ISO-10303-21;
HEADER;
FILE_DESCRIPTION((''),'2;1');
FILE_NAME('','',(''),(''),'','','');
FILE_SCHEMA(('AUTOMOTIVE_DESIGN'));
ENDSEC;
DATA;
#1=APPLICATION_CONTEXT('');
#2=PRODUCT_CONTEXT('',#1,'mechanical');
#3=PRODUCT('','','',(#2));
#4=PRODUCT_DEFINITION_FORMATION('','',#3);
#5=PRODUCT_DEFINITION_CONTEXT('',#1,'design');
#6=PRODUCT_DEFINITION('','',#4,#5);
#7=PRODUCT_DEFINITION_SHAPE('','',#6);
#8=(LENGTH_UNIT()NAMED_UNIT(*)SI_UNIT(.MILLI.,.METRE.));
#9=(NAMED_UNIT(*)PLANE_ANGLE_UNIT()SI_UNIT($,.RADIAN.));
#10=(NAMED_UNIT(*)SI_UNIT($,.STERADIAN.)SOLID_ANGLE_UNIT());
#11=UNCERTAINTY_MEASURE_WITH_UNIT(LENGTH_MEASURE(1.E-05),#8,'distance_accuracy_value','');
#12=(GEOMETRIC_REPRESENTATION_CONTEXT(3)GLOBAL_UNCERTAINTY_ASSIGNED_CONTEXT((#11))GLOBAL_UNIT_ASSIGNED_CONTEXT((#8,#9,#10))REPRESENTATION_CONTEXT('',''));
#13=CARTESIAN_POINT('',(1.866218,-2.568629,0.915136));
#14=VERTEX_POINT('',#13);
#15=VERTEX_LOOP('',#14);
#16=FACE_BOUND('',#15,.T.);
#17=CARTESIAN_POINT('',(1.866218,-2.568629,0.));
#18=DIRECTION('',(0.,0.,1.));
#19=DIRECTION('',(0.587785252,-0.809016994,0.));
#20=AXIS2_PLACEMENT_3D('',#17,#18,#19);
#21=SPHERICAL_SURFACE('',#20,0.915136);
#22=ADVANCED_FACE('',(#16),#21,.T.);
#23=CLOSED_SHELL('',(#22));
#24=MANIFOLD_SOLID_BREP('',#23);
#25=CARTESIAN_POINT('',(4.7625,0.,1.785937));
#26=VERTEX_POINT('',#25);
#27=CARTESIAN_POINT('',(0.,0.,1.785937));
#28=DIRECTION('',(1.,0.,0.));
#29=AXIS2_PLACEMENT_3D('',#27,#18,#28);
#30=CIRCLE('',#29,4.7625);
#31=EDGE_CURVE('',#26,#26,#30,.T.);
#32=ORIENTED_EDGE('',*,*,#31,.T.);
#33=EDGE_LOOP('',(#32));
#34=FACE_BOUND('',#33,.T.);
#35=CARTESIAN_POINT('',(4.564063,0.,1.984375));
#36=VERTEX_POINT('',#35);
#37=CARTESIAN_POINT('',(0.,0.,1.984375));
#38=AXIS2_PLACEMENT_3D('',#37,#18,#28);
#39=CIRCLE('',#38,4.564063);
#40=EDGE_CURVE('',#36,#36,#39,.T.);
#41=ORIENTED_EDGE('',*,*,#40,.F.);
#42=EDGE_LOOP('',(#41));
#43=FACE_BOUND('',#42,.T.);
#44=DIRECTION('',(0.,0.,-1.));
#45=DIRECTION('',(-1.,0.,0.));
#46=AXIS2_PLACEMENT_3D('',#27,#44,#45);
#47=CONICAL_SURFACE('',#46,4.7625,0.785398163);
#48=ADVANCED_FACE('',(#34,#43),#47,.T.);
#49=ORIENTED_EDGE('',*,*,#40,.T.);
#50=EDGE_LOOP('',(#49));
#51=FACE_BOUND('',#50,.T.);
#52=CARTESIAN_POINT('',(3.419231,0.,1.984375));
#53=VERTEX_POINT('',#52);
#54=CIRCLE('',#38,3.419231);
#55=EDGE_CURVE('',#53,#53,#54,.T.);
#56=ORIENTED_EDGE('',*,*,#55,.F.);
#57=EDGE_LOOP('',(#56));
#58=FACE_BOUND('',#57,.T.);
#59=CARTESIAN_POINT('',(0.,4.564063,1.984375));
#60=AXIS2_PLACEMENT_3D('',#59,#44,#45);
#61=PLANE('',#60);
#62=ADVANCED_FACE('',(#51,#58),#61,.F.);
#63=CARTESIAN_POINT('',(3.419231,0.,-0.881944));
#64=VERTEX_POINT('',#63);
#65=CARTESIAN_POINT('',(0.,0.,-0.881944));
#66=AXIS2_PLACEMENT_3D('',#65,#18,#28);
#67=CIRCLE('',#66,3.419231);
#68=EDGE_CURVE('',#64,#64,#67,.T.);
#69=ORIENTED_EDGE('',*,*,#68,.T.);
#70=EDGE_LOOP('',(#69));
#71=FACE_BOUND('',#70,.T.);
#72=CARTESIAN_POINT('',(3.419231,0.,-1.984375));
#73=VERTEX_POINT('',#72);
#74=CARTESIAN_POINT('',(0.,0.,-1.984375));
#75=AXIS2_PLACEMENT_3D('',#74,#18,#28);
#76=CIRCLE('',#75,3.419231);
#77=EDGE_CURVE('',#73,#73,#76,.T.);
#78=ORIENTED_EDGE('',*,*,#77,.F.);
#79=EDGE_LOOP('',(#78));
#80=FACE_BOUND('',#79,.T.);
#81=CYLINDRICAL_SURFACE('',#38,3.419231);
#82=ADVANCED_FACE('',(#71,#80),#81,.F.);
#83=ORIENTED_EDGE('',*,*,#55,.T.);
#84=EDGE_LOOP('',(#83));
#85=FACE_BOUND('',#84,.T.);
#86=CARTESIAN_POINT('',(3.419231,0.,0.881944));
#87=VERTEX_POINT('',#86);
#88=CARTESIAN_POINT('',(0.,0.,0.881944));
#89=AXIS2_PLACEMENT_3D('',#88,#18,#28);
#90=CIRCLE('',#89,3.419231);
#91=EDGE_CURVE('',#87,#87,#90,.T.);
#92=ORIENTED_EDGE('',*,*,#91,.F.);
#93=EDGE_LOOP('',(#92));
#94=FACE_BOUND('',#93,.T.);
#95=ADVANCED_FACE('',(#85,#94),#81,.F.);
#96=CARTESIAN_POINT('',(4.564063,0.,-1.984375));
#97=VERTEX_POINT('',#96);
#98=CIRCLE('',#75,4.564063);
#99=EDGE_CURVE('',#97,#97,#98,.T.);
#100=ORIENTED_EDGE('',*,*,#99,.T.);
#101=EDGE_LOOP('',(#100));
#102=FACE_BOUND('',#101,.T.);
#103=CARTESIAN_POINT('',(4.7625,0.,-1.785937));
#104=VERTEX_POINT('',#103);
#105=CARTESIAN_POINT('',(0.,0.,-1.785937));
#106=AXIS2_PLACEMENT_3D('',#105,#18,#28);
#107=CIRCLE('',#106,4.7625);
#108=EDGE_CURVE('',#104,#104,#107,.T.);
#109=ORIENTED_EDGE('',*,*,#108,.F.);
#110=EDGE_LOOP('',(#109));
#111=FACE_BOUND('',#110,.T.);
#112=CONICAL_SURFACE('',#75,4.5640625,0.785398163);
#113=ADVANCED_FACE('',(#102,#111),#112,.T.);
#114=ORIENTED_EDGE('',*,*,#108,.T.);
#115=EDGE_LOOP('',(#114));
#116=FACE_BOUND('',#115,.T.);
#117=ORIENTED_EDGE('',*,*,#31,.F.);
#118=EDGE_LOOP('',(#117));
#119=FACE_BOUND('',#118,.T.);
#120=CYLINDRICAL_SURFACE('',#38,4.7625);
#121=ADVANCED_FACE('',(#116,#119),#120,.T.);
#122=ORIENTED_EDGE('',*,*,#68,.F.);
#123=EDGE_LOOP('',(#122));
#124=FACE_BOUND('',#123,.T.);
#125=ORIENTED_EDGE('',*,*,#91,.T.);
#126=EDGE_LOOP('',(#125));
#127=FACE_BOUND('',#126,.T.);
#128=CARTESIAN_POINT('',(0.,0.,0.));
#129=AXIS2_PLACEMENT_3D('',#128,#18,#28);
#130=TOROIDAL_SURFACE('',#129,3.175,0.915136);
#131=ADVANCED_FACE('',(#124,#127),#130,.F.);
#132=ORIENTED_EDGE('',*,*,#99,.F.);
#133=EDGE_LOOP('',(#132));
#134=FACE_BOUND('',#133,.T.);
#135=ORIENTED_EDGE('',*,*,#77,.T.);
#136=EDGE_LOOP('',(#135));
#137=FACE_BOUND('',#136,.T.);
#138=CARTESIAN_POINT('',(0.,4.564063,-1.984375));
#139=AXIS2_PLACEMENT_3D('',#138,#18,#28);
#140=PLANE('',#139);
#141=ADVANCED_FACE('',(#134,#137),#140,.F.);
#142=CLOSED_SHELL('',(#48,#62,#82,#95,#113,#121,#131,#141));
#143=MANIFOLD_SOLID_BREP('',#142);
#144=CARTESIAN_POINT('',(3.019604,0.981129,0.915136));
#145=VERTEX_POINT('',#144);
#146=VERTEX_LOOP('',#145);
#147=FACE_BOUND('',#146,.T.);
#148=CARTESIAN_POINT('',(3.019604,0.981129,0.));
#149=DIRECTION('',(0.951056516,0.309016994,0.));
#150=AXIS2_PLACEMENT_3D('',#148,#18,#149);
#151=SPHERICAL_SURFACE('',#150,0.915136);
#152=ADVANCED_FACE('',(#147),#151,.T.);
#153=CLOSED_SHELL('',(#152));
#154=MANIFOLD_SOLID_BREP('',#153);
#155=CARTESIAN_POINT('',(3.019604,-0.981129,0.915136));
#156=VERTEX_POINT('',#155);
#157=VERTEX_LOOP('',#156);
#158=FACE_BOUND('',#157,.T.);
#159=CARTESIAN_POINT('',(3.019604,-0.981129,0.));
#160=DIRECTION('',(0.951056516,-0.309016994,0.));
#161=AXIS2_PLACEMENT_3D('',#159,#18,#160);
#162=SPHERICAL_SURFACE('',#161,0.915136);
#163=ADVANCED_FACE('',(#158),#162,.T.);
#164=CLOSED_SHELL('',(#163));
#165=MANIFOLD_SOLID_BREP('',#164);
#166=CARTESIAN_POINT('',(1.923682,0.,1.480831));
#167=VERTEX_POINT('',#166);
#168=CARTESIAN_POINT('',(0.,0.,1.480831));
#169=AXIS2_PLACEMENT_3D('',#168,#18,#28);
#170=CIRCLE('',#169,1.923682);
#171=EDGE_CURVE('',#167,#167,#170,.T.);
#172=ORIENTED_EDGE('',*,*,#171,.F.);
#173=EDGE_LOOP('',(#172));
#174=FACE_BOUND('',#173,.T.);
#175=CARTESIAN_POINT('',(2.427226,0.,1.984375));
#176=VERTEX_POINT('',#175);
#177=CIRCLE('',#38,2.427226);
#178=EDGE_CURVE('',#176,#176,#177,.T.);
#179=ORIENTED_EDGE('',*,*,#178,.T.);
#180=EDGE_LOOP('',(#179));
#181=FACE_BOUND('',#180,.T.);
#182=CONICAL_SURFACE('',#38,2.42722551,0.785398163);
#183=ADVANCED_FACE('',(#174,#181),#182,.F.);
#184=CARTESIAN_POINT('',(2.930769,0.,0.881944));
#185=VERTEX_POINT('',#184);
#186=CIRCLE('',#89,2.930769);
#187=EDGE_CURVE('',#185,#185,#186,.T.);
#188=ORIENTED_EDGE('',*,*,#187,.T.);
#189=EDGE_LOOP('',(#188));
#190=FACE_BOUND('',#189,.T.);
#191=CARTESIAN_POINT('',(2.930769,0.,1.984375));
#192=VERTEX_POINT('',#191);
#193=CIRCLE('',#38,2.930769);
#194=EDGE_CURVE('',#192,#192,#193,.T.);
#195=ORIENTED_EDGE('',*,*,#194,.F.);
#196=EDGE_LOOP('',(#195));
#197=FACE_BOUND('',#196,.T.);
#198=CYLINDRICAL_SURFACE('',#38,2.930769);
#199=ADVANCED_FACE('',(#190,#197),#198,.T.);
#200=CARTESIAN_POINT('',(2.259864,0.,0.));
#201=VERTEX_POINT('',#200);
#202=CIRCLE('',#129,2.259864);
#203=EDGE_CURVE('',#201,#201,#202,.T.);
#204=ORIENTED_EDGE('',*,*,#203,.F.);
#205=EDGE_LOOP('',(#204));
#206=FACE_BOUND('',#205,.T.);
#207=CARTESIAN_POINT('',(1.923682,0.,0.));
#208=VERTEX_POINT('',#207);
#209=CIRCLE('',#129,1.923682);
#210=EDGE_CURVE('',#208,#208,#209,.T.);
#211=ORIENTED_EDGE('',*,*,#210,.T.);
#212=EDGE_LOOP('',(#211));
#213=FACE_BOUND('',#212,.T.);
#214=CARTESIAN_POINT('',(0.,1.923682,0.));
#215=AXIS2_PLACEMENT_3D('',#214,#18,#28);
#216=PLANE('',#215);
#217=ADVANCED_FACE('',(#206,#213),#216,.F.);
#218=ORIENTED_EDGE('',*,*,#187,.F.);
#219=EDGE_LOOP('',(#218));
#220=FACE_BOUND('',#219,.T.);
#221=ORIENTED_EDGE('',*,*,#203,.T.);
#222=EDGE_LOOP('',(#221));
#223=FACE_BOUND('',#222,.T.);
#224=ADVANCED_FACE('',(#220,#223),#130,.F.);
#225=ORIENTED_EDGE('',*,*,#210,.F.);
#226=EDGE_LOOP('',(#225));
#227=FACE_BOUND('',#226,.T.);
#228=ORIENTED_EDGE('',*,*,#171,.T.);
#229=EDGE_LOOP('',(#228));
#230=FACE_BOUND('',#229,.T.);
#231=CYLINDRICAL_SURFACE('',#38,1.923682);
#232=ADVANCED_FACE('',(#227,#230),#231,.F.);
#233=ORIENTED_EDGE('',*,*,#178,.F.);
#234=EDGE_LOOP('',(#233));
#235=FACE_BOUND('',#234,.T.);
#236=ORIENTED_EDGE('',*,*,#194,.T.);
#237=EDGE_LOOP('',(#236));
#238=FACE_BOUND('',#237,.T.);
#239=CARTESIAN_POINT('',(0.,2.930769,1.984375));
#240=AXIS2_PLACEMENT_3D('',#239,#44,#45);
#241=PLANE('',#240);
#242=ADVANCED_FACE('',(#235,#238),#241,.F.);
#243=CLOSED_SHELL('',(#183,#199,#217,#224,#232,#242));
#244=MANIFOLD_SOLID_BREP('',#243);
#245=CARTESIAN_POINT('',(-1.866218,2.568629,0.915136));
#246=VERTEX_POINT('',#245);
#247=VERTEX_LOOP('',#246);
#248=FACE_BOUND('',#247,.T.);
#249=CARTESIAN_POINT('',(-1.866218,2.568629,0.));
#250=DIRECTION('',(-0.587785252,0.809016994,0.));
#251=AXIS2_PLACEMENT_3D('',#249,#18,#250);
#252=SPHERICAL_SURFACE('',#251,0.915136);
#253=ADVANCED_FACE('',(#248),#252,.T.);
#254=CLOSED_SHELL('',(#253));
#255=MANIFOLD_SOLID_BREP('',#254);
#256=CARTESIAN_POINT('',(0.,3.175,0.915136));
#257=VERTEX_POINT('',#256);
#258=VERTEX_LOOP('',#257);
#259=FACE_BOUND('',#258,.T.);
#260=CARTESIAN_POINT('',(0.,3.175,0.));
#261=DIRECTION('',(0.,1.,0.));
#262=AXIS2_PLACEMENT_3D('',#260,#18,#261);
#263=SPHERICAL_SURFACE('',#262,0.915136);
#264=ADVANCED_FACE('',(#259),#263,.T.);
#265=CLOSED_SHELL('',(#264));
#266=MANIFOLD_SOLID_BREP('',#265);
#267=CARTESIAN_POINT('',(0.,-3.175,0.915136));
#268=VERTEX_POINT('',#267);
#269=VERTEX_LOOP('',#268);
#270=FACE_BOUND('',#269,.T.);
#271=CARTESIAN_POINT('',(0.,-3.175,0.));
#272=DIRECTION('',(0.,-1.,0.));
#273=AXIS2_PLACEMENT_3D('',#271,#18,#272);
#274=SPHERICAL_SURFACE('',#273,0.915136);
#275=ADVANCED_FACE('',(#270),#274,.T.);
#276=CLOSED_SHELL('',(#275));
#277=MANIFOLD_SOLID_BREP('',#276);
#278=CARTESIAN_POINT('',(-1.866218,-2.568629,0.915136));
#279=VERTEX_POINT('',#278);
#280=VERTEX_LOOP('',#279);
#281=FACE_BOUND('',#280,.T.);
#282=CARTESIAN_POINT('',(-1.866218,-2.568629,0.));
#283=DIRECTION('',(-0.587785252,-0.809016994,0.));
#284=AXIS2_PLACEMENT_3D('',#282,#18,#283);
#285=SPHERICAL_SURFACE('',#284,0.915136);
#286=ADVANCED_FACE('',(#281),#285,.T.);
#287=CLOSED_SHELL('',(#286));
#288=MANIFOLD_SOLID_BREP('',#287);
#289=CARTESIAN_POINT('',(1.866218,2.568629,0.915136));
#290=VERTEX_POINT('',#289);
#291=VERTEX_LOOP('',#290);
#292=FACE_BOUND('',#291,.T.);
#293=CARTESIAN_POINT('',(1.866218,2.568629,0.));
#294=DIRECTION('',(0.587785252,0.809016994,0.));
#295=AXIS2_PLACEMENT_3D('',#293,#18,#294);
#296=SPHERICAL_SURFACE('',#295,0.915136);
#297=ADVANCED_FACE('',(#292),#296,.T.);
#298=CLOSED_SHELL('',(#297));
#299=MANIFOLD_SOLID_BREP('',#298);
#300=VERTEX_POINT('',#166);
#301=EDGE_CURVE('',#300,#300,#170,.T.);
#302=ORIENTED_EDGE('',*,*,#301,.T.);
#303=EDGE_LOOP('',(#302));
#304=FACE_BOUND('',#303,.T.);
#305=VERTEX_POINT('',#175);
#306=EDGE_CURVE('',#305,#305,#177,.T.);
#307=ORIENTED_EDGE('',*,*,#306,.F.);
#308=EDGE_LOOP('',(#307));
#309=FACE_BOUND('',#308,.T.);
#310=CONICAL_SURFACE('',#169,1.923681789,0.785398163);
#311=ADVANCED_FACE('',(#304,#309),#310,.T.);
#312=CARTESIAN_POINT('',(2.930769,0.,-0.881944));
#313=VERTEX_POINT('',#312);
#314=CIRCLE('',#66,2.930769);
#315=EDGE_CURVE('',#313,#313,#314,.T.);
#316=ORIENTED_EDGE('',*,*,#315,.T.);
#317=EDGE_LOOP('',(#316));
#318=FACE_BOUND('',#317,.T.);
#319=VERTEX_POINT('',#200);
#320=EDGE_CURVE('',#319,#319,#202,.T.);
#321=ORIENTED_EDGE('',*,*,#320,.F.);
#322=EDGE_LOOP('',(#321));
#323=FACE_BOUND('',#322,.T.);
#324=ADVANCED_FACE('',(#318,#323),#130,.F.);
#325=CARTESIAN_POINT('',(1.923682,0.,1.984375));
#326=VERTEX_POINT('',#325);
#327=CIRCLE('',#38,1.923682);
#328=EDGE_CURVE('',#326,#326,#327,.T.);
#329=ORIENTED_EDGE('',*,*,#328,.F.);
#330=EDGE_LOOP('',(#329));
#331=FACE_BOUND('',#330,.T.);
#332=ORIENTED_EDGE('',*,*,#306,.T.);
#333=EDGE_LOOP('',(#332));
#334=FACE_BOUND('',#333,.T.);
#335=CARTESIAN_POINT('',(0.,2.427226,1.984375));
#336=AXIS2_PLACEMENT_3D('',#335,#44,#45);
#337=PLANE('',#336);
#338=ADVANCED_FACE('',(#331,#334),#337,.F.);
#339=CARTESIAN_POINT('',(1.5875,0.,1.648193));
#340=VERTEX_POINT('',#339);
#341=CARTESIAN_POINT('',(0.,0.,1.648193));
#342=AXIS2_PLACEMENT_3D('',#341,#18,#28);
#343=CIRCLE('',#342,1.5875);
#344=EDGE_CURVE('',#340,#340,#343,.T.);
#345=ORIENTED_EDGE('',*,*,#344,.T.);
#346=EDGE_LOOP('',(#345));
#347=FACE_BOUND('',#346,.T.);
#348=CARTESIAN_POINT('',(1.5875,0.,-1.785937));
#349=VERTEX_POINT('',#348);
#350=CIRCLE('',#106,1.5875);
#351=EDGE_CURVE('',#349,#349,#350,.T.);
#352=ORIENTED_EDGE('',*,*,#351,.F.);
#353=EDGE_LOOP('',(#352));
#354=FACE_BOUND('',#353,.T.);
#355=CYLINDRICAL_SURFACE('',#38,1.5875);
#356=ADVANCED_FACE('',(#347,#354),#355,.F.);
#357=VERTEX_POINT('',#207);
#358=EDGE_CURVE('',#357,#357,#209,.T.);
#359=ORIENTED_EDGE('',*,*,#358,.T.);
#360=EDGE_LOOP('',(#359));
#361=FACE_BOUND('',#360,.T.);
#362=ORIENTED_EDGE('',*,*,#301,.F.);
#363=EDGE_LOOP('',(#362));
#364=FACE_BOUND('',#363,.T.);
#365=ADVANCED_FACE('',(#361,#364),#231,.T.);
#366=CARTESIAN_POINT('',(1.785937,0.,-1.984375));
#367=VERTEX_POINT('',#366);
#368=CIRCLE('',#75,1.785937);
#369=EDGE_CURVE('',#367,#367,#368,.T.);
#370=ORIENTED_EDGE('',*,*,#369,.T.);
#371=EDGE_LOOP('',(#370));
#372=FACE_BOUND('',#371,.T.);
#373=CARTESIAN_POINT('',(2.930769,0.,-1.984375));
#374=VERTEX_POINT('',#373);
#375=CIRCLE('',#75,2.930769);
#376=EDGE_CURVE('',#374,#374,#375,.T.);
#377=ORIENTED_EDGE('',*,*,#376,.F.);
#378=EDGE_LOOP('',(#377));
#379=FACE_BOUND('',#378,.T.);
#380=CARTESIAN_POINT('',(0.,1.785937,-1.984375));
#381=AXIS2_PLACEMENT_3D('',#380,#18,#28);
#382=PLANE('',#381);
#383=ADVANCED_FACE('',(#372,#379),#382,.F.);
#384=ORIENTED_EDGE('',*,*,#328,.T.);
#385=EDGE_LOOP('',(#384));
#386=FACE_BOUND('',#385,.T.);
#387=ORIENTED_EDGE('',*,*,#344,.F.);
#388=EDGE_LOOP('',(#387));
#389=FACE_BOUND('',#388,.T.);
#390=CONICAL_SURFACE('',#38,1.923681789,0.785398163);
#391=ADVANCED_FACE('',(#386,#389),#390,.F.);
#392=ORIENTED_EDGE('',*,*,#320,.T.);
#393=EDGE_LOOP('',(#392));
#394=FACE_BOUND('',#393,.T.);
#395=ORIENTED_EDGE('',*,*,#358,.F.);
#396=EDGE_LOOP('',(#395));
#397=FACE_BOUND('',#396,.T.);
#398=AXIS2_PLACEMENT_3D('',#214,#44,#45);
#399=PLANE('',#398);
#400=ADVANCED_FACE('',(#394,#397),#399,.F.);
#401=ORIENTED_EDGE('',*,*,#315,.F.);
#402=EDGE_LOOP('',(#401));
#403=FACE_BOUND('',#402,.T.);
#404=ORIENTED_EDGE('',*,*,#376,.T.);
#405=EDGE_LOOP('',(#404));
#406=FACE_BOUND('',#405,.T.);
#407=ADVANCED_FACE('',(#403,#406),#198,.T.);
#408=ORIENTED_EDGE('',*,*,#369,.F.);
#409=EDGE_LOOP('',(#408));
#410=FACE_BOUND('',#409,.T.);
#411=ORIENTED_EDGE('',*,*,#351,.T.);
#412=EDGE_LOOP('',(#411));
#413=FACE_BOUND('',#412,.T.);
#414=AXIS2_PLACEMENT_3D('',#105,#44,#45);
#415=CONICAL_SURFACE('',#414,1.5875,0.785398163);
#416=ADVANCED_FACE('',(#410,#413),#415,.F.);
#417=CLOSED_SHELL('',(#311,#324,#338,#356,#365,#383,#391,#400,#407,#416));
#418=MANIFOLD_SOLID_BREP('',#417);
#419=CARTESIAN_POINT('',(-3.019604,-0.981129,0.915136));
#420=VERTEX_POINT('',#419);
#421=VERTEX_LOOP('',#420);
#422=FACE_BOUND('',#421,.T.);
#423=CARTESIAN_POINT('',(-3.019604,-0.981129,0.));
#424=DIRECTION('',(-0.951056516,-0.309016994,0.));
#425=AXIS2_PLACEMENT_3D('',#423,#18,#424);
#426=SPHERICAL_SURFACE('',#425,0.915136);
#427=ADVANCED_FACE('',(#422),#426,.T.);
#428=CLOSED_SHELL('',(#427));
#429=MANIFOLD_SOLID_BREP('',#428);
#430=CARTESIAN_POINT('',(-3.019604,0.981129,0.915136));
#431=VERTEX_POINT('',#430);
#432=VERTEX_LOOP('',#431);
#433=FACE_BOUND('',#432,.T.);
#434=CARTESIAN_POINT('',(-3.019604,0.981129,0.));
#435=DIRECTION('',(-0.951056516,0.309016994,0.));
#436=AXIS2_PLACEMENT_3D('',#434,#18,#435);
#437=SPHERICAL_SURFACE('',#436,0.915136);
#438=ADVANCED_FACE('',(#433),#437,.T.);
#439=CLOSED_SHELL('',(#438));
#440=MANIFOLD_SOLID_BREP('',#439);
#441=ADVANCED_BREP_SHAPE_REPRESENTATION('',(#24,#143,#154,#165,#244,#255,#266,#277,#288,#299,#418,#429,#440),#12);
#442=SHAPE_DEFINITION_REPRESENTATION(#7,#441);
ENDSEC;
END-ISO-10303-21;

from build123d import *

# Parameters (mm, degrees)
CIRPATTERN1_COUNT = 10


with BuildPart() as part:
    # Sketch1 → Revolve1 (revolve)
    with BuildSketch(Plane(origin=(0, 0, 0), x_dir=(0, 0, -1), z_dir=(1, 0, 0))):
        with BuildLine():
            Line((1.7859375, 4.7625), (-1.7859375, 4.7625))
            Line((-1.7859375, 4.7625), (-1.984375, 4.5640625))
            Line((-1.984375, 4.5640625), (-1.984375, 3.419230769))
            Line((-1.984375, 3.419230769), (-0.881944444, 3.419230769))
            ThreePointArc((-0.881944444, 3.419230769), (0, 4.090136422), (0.881944444, 3.419230769))
            Line((0.881944444, 3.419230769), (1.984375, 3.419230769))
            Line((1.984375, 3.419230769), (1.984375, 4.5640625))
            Line((1.984375, 4.5640625), (1.7859375, 4.7625))
        make_face()
    revolve(axis=Axis((0, 0, 1.984375), (0, 0, -1)))


with BuildPart() as body_2:
    # Sketch2 → Revolve2 (revolve)
    with BuildSketch(Plane(origin=(0, 0, 0), x_dir=(0, 0, -1), z_dir=(1, 0, 0))):
        with BuildLine():
            Line((-1.984375, 2.930769231), (-0.881944444, 2.930769231))
            ThreePointArc((-0.881944444, 2.930769231), (-0.554062361, 2.446652849), (0, 2.259863578))
            Line((0, 2.259863578), (0, 1.923681789))
            Line((0, 1.923681789), (-1.480831279, 1.923681789))
            Line((-1.480831279, 1.923681789), (-1.984375, 2.42722551))
            Line((-1.984375, 2.42722551), (-1.984375, 2.930769231))
        make_face()
    revolve(axis=Axis((0, 0, 1.984375), (0, 0, -1)))


with BuildPart() as body_3:
    # Sketch3 → Revolve3 (revolve)
    with BuildSketch(Plane(origin=(0, 0, 0), x_dir=(0, 0, -1), z_dir=(1, 0, 0))):
        with BuildLine():
            Line((-1.984375, 2.42722551), (-1.480831279, 1.923681789))
            Line((-1.480831279, 1.923681789), (0, 1.923681789))
            Line((0, 1.923681789), (0, 2.259863578))
            ThreePointArc((0, 2.259863578), (0.554062361, 2.446652849), (0.881944444, 2.930769231))
            Line((0.881944444, 2.930769231), (1.984375, 2.930769231))
            Line((1.984375, 2.930769231), (1.984375, 1.7859375))
            Line((1.984375, 1.7859375), (1.7859375, 1.5875))
            Line((1.7859375, 1.5875), (-1.648193211, 1.5875))
            Line((-1.648193211, 1.5875), (-1.984375, 1.923681789))
            Line((-1.984375, 1.923681789), (-1.984375, 2.42722551))
        make_face()
    revolve(axis=Axis((0, 0, 1.984375), (0, 0, -1)))


with BuildPart() as body_4:
    # Sketch4 → Revolve4 (revolve)
    with BuildSketch(Plane(origin=(0, 0, 0), x_dir=(0, 0, -1), z_dir=(1, 0, 0))):
        with BuildLine():
            Line((-0.915136422, 3.175), (0.915136422, 3.175))
            ThreePointArc((0.915136422, 3.175), (0, 4.090136422), (-0.915136422, 3.175))
        make_face()
    revolve(axis=Axis((0, 3.175, 0.915136422), (0, 0, -1)))


with BuildPart() as cirpattern1_1:
    # CirPattern1: pattern copy
    add(body_4.part.rotate(Axis((0, 0, -1.984375), (0, 0, 1)), 1 * 360 / CIRPATTERN1_COUNT))


with BuildPart() as cirpattern1_2:
    # CirPattern1: pattern copy
    add(body_4.part.rotate(Axis((0, 0, -1.984375), (0, 0, 1)), 2 * 360 / CIRPATTERN1_COUNT))


with BuildPart() as cirpattern1_3:
    # CirPattern1: pattern copy
    add(body_4.part.rotate(Axis((0, 0, -1.984375), (0, 0, 1)), 3 * 360 / CIRPATTERN1_COUNT))


with BuildPart() as cirpattern1_4:
    # CirPattern1: pattern copy
    add(body_4.part.rotate(Axis((0, 0, -1.984375), (0, 0, 1)), 4 * 360 / CIRPATTERN1_COUNT))


with BuildPart() as cirpattern1_5:
    # CirPattern1: pattern copy
    add(body_4.part.rotate(Axis((0, 0, -1.984375), (0, 0, 1)), 5 * 360 / CIRPATTERN1_COUNT))


with BuildPart() as cirpattern1_6:
    # CirPattern1: pattern copy
    add(body_4.part.rotate(Axis((0, 0, -1.984375), (0, 0, 1)), 6 * 360 / CIRPATTERN1_COUNT))


with BuildPart() as cirpattern1_7:
    # CirPattern1: pattern copy
    add(body_4.part.rotate(Axis((0, 0, -1.984375), (0, 0, 1)), 7 * 360 / CIRPATTERN1_COUNT))


with BuildPart() as cirpattern1_8:
    # CirPattern1: pattern copy
    add(body_4.part.rotate(Axis((0, 0, -1.984375), (0, 0, 1)), 8 * 360 / CIRPATTERN1_COUNT))


with BuildPart() as cirpattern1_9:
    # CirPattern1: pattern copy
    add(body_4.part.rotate(Axis((0, 0, -1.984375), (0, 0, 1)), 9 * 360 / CIRPATTERN1_COUNT))


solid = Compound([part.part, body_2.part, body_3.part, body_4.part, cirpattern1_1.part, cirpattern1_2.part, cirpattern1_3.part, cirpattern1_4.part, cirpattern1_5.part, cirpattern1_6.part, cirpattern1_7.part, cirpattern1_8.part, cirpattern1_9.part])
